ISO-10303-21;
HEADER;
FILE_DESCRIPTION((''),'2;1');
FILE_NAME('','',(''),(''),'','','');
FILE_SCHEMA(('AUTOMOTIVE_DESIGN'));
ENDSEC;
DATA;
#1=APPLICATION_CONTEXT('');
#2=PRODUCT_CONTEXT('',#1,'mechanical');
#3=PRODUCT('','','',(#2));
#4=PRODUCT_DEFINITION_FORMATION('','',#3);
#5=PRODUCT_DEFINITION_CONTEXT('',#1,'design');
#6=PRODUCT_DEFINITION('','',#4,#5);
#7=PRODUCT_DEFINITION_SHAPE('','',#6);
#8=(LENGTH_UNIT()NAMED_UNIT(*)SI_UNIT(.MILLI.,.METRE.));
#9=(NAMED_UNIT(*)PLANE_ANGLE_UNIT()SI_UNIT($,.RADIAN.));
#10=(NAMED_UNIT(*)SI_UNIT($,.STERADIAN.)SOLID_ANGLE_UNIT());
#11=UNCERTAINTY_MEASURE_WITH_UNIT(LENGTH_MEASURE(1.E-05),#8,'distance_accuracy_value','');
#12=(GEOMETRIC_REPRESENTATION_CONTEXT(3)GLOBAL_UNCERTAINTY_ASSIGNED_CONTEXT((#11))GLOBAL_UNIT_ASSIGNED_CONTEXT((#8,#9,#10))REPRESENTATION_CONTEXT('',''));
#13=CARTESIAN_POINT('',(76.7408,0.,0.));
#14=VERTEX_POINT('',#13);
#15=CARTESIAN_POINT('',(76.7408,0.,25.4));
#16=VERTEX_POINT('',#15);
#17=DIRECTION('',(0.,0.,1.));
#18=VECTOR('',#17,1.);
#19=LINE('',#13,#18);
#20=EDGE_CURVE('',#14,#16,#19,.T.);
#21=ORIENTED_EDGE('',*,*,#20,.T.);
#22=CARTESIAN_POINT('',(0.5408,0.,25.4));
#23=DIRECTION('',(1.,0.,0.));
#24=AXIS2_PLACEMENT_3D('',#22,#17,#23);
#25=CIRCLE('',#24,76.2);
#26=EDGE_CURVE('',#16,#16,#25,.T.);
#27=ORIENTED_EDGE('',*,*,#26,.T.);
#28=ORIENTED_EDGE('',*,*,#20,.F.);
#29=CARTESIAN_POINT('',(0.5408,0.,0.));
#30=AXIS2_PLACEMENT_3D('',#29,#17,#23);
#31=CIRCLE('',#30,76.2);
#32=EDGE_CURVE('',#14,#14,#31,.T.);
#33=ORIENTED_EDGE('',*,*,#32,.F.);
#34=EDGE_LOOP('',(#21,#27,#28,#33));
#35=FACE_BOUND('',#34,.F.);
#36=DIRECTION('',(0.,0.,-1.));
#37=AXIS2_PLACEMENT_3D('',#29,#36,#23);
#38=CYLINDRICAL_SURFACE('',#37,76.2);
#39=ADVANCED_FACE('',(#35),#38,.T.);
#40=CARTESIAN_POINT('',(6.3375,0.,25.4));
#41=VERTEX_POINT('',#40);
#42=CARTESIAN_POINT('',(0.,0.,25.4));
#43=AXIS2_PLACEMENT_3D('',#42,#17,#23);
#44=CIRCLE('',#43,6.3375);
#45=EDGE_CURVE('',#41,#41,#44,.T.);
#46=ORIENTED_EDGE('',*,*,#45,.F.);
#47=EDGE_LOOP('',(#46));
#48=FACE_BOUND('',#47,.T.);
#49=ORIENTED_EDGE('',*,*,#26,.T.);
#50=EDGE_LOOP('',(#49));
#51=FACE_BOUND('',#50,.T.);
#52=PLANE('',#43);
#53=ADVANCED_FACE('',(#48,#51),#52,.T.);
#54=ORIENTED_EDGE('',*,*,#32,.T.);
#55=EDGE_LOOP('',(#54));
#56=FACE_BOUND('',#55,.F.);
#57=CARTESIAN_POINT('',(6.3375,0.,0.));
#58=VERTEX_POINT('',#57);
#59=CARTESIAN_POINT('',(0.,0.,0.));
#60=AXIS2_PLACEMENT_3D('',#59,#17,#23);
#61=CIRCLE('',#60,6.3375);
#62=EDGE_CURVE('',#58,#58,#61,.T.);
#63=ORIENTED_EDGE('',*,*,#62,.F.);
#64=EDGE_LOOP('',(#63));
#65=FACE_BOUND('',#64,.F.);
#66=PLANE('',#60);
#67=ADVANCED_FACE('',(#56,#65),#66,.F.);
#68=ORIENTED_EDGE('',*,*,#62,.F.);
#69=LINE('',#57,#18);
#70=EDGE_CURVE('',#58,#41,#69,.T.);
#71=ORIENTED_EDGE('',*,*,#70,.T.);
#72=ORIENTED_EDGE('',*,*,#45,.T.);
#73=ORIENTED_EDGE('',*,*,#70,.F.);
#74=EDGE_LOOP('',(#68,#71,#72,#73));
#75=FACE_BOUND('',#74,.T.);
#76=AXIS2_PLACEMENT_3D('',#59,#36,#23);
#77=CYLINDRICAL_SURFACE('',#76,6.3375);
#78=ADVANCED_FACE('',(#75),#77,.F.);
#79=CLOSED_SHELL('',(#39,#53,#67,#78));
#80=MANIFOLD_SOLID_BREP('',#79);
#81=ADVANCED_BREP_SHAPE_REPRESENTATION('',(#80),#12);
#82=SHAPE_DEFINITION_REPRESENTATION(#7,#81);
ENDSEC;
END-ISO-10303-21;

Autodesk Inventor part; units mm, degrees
ref_plane "YZ Plane" through (0, 0, 0) normal (1, 0, 0) x (0, 1, 0)
ref_plane "XZ Plane" through (0, 0, 0) normal (0, 1, 0) x (-1, 0, 0)
ref_plane "XY Plane" through (0, 0, 0) normal (0, 0, 1) x (1, 0, 0)
sketch "Sketch1" plane through (0, 0, 0) normal (0, 0, 1) x (1, 0, 0)
  circle A0 centre (0.5408, 0) radius 76.2
  circle A1 centre (0, 0) radius 6.3375
  dimension "d0" = 152.4
  dimension "d1" = 12.675
extrude "Extrusion1" add sketch "Sketch1" along normal blind 25.4
properties part number "wheel"
